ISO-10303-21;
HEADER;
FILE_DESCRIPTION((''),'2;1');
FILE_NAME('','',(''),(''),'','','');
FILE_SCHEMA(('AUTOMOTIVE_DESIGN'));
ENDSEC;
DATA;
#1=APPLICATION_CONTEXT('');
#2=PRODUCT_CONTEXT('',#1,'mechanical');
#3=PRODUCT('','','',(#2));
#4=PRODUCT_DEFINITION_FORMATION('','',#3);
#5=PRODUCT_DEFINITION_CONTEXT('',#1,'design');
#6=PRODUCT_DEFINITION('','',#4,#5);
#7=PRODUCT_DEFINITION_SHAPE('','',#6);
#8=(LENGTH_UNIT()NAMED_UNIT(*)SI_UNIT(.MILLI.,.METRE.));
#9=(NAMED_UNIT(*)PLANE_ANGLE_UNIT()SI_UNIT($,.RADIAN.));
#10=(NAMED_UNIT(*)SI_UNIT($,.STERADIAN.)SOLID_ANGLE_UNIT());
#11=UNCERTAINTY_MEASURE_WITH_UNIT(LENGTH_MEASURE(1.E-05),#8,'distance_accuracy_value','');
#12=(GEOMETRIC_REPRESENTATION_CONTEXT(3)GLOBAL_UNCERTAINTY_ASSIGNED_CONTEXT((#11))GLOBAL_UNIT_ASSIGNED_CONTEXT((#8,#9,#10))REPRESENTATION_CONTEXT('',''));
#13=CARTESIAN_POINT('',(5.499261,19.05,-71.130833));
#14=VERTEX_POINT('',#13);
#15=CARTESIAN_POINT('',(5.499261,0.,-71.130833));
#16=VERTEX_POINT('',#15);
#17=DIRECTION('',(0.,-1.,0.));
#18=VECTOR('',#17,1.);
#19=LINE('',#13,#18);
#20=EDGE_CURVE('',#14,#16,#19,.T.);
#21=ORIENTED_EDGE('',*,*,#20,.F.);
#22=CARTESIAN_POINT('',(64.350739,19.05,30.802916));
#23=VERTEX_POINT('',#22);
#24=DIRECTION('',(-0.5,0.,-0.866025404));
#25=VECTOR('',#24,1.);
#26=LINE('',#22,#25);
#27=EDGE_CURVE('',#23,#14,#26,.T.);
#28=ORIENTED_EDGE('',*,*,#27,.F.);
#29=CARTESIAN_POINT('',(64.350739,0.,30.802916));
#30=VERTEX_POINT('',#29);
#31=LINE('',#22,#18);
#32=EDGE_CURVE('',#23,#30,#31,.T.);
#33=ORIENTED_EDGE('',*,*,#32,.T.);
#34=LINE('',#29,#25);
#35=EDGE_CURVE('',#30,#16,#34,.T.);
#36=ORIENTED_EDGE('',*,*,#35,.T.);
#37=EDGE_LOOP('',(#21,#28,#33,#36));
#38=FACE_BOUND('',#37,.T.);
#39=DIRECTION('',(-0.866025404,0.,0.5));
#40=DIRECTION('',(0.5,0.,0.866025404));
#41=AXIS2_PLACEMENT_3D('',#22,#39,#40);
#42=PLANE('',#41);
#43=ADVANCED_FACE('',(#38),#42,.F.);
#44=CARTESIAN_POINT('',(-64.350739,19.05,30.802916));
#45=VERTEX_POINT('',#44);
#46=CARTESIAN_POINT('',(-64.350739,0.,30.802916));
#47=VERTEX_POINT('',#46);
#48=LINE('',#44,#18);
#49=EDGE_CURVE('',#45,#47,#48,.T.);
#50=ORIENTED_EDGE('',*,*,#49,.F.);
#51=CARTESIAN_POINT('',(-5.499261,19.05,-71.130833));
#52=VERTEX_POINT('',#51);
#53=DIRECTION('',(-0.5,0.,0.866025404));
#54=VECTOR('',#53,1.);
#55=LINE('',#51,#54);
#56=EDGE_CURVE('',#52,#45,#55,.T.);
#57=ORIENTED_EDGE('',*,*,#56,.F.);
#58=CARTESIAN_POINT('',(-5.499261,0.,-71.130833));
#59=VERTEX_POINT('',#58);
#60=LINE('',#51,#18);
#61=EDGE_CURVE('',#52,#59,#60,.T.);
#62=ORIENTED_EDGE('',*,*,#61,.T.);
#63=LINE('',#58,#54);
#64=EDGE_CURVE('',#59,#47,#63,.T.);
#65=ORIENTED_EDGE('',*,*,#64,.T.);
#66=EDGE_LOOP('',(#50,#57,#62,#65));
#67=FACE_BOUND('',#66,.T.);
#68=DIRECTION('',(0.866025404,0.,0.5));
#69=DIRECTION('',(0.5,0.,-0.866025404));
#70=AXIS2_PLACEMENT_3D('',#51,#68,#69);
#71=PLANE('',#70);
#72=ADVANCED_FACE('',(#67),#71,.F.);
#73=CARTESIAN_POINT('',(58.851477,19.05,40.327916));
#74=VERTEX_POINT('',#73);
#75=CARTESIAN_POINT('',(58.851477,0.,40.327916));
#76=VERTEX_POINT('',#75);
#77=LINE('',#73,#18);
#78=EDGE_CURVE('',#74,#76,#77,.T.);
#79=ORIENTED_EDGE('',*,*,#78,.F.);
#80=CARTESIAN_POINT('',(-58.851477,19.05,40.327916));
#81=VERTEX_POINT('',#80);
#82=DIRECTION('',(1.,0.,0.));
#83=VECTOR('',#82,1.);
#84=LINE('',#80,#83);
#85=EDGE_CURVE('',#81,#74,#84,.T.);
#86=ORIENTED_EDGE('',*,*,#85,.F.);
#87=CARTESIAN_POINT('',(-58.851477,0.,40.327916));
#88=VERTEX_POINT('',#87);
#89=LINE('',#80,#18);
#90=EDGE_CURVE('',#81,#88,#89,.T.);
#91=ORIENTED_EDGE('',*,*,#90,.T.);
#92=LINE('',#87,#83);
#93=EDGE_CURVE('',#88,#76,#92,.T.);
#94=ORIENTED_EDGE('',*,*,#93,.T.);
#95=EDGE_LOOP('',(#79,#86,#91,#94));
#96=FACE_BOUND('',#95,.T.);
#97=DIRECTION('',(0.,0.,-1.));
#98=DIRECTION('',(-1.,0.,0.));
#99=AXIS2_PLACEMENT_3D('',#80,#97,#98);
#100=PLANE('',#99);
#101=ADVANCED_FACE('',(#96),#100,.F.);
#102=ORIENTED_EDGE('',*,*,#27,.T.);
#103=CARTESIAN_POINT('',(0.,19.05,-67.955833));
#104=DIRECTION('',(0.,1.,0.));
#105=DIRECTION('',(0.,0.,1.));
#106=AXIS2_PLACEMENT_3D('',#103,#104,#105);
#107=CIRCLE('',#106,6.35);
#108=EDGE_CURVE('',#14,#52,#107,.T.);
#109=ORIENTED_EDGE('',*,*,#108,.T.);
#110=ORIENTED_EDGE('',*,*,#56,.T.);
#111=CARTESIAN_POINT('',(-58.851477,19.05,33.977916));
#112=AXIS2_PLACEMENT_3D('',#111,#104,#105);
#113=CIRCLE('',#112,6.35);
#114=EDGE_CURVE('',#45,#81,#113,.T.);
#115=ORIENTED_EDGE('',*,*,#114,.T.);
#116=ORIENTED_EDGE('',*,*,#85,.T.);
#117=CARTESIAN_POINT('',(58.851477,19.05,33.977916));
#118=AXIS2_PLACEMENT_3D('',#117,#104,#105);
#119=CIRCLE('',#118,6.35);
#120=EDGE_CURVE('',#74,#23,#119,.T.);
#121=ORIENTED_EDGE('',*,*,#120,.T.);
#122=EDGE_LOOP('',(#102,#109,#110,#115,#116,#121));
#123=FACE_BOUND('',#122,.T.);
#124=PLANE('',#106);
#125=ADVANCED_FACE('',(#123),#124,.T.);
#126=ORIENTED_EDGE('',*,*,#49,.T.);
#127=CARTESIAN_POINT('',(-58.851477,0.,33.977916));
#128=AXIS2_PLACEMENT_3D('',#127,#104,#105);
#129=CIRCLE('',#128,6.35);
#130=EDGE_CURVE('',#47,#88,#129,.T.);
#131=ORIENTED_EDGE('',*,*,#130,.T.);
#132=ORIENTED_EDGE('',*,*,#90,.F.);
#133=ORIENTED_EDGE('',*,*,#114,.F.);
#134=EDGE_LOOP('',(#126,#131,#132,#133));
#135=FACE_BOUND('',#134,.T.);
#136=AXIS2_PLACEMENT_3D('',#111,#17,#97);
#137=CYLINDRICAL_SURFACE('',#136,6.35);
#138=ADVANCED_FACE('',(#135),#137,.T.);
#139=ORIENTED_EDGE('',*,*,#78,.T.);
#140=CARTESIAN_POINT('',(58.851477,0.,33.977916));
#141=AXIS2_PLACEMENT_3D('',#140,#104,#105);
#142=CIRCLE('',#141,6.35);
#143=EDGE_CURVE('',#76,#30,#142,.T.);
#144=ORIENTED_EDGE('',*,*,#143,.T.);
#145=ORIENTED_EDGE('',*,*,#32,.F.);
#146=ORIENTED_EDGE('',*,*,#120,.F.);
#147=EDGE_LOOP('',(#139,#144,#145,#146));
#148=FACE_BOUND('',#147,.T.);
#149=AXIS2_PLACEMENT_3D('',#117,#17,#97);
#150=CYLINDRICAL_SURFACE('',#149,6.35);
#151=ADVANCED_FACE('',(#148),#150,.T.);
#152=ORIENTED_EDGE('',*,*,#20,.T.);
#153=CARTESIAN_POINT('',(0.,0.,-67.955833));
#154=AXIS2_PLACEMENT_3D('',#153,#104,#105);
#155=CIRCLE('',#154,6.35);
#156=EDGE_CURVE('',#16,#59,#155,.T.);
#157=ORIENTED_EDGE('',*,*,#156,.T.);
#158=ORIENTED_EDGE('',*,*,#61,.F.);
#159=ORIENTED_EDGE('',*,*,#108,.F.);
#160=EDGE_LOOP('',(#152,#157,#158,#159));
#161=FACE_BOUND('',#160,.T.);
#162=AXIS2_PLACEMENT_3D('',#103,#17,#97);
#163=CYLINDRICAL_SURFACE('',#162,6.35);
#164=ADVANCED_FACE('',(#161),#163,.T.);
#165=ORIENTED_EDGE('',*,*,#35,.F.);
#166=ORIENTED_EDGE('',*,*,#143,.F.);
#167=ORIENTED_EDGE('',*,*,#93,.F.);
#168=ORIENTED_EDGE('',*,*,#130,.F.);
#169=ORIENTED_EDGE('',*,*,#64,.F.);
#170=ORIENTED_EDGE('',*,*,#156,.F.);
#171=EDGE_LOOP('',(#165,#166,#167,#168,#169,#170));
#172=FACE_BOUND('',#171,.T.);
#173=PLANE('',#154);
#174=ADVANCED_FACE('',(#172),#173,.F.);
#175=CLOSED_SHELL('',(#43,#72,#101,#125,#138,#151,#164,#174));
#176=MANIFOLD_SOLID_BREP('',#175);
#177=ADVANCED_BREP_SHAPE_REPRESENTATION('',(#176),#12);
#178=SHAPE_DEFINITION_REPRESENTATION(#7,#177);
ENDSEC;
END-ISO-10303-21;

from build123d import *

# Parameters (mm, degrees)
BOSS_EXTRUDE1_DEPTH = 19.05


with BuildPart() as part:
    # Sketch1 → Boss-Extrude1 (new body)
    with BuildSketch(Plane(origin=(0, 0, 0), x_dir=(1, 0, 0), z_dir=(0, 1, 0))):
        with BuildLine():
            Line((-5.499261314, 71.130832606), (-64.350738686, -30.802916303))
            ThreePointArc((-64.350738686, -30.802916303), (-64.350738686, -37.152916303), (-58.851477372, -40.327916303))
            Line((-58.851477372, -40.327916303), (58.851477372, -40.327916303))
            ThreePointArc((58.851477372, -40.327916303), (64.350738686, -37.152916303), (64.350738686, -30.802916303))
            Line((64.350738686, -30.802916303), (5.499261314, 71.130832606))
            ThreePointArc((5.499261314, 71.130832606), (0, 74.305832606), (-5.499261314, 71.130832606))
        make_face()
    extrude(amount=BOSS_EXTRUDE1_DEPTH)


solid = part.part
